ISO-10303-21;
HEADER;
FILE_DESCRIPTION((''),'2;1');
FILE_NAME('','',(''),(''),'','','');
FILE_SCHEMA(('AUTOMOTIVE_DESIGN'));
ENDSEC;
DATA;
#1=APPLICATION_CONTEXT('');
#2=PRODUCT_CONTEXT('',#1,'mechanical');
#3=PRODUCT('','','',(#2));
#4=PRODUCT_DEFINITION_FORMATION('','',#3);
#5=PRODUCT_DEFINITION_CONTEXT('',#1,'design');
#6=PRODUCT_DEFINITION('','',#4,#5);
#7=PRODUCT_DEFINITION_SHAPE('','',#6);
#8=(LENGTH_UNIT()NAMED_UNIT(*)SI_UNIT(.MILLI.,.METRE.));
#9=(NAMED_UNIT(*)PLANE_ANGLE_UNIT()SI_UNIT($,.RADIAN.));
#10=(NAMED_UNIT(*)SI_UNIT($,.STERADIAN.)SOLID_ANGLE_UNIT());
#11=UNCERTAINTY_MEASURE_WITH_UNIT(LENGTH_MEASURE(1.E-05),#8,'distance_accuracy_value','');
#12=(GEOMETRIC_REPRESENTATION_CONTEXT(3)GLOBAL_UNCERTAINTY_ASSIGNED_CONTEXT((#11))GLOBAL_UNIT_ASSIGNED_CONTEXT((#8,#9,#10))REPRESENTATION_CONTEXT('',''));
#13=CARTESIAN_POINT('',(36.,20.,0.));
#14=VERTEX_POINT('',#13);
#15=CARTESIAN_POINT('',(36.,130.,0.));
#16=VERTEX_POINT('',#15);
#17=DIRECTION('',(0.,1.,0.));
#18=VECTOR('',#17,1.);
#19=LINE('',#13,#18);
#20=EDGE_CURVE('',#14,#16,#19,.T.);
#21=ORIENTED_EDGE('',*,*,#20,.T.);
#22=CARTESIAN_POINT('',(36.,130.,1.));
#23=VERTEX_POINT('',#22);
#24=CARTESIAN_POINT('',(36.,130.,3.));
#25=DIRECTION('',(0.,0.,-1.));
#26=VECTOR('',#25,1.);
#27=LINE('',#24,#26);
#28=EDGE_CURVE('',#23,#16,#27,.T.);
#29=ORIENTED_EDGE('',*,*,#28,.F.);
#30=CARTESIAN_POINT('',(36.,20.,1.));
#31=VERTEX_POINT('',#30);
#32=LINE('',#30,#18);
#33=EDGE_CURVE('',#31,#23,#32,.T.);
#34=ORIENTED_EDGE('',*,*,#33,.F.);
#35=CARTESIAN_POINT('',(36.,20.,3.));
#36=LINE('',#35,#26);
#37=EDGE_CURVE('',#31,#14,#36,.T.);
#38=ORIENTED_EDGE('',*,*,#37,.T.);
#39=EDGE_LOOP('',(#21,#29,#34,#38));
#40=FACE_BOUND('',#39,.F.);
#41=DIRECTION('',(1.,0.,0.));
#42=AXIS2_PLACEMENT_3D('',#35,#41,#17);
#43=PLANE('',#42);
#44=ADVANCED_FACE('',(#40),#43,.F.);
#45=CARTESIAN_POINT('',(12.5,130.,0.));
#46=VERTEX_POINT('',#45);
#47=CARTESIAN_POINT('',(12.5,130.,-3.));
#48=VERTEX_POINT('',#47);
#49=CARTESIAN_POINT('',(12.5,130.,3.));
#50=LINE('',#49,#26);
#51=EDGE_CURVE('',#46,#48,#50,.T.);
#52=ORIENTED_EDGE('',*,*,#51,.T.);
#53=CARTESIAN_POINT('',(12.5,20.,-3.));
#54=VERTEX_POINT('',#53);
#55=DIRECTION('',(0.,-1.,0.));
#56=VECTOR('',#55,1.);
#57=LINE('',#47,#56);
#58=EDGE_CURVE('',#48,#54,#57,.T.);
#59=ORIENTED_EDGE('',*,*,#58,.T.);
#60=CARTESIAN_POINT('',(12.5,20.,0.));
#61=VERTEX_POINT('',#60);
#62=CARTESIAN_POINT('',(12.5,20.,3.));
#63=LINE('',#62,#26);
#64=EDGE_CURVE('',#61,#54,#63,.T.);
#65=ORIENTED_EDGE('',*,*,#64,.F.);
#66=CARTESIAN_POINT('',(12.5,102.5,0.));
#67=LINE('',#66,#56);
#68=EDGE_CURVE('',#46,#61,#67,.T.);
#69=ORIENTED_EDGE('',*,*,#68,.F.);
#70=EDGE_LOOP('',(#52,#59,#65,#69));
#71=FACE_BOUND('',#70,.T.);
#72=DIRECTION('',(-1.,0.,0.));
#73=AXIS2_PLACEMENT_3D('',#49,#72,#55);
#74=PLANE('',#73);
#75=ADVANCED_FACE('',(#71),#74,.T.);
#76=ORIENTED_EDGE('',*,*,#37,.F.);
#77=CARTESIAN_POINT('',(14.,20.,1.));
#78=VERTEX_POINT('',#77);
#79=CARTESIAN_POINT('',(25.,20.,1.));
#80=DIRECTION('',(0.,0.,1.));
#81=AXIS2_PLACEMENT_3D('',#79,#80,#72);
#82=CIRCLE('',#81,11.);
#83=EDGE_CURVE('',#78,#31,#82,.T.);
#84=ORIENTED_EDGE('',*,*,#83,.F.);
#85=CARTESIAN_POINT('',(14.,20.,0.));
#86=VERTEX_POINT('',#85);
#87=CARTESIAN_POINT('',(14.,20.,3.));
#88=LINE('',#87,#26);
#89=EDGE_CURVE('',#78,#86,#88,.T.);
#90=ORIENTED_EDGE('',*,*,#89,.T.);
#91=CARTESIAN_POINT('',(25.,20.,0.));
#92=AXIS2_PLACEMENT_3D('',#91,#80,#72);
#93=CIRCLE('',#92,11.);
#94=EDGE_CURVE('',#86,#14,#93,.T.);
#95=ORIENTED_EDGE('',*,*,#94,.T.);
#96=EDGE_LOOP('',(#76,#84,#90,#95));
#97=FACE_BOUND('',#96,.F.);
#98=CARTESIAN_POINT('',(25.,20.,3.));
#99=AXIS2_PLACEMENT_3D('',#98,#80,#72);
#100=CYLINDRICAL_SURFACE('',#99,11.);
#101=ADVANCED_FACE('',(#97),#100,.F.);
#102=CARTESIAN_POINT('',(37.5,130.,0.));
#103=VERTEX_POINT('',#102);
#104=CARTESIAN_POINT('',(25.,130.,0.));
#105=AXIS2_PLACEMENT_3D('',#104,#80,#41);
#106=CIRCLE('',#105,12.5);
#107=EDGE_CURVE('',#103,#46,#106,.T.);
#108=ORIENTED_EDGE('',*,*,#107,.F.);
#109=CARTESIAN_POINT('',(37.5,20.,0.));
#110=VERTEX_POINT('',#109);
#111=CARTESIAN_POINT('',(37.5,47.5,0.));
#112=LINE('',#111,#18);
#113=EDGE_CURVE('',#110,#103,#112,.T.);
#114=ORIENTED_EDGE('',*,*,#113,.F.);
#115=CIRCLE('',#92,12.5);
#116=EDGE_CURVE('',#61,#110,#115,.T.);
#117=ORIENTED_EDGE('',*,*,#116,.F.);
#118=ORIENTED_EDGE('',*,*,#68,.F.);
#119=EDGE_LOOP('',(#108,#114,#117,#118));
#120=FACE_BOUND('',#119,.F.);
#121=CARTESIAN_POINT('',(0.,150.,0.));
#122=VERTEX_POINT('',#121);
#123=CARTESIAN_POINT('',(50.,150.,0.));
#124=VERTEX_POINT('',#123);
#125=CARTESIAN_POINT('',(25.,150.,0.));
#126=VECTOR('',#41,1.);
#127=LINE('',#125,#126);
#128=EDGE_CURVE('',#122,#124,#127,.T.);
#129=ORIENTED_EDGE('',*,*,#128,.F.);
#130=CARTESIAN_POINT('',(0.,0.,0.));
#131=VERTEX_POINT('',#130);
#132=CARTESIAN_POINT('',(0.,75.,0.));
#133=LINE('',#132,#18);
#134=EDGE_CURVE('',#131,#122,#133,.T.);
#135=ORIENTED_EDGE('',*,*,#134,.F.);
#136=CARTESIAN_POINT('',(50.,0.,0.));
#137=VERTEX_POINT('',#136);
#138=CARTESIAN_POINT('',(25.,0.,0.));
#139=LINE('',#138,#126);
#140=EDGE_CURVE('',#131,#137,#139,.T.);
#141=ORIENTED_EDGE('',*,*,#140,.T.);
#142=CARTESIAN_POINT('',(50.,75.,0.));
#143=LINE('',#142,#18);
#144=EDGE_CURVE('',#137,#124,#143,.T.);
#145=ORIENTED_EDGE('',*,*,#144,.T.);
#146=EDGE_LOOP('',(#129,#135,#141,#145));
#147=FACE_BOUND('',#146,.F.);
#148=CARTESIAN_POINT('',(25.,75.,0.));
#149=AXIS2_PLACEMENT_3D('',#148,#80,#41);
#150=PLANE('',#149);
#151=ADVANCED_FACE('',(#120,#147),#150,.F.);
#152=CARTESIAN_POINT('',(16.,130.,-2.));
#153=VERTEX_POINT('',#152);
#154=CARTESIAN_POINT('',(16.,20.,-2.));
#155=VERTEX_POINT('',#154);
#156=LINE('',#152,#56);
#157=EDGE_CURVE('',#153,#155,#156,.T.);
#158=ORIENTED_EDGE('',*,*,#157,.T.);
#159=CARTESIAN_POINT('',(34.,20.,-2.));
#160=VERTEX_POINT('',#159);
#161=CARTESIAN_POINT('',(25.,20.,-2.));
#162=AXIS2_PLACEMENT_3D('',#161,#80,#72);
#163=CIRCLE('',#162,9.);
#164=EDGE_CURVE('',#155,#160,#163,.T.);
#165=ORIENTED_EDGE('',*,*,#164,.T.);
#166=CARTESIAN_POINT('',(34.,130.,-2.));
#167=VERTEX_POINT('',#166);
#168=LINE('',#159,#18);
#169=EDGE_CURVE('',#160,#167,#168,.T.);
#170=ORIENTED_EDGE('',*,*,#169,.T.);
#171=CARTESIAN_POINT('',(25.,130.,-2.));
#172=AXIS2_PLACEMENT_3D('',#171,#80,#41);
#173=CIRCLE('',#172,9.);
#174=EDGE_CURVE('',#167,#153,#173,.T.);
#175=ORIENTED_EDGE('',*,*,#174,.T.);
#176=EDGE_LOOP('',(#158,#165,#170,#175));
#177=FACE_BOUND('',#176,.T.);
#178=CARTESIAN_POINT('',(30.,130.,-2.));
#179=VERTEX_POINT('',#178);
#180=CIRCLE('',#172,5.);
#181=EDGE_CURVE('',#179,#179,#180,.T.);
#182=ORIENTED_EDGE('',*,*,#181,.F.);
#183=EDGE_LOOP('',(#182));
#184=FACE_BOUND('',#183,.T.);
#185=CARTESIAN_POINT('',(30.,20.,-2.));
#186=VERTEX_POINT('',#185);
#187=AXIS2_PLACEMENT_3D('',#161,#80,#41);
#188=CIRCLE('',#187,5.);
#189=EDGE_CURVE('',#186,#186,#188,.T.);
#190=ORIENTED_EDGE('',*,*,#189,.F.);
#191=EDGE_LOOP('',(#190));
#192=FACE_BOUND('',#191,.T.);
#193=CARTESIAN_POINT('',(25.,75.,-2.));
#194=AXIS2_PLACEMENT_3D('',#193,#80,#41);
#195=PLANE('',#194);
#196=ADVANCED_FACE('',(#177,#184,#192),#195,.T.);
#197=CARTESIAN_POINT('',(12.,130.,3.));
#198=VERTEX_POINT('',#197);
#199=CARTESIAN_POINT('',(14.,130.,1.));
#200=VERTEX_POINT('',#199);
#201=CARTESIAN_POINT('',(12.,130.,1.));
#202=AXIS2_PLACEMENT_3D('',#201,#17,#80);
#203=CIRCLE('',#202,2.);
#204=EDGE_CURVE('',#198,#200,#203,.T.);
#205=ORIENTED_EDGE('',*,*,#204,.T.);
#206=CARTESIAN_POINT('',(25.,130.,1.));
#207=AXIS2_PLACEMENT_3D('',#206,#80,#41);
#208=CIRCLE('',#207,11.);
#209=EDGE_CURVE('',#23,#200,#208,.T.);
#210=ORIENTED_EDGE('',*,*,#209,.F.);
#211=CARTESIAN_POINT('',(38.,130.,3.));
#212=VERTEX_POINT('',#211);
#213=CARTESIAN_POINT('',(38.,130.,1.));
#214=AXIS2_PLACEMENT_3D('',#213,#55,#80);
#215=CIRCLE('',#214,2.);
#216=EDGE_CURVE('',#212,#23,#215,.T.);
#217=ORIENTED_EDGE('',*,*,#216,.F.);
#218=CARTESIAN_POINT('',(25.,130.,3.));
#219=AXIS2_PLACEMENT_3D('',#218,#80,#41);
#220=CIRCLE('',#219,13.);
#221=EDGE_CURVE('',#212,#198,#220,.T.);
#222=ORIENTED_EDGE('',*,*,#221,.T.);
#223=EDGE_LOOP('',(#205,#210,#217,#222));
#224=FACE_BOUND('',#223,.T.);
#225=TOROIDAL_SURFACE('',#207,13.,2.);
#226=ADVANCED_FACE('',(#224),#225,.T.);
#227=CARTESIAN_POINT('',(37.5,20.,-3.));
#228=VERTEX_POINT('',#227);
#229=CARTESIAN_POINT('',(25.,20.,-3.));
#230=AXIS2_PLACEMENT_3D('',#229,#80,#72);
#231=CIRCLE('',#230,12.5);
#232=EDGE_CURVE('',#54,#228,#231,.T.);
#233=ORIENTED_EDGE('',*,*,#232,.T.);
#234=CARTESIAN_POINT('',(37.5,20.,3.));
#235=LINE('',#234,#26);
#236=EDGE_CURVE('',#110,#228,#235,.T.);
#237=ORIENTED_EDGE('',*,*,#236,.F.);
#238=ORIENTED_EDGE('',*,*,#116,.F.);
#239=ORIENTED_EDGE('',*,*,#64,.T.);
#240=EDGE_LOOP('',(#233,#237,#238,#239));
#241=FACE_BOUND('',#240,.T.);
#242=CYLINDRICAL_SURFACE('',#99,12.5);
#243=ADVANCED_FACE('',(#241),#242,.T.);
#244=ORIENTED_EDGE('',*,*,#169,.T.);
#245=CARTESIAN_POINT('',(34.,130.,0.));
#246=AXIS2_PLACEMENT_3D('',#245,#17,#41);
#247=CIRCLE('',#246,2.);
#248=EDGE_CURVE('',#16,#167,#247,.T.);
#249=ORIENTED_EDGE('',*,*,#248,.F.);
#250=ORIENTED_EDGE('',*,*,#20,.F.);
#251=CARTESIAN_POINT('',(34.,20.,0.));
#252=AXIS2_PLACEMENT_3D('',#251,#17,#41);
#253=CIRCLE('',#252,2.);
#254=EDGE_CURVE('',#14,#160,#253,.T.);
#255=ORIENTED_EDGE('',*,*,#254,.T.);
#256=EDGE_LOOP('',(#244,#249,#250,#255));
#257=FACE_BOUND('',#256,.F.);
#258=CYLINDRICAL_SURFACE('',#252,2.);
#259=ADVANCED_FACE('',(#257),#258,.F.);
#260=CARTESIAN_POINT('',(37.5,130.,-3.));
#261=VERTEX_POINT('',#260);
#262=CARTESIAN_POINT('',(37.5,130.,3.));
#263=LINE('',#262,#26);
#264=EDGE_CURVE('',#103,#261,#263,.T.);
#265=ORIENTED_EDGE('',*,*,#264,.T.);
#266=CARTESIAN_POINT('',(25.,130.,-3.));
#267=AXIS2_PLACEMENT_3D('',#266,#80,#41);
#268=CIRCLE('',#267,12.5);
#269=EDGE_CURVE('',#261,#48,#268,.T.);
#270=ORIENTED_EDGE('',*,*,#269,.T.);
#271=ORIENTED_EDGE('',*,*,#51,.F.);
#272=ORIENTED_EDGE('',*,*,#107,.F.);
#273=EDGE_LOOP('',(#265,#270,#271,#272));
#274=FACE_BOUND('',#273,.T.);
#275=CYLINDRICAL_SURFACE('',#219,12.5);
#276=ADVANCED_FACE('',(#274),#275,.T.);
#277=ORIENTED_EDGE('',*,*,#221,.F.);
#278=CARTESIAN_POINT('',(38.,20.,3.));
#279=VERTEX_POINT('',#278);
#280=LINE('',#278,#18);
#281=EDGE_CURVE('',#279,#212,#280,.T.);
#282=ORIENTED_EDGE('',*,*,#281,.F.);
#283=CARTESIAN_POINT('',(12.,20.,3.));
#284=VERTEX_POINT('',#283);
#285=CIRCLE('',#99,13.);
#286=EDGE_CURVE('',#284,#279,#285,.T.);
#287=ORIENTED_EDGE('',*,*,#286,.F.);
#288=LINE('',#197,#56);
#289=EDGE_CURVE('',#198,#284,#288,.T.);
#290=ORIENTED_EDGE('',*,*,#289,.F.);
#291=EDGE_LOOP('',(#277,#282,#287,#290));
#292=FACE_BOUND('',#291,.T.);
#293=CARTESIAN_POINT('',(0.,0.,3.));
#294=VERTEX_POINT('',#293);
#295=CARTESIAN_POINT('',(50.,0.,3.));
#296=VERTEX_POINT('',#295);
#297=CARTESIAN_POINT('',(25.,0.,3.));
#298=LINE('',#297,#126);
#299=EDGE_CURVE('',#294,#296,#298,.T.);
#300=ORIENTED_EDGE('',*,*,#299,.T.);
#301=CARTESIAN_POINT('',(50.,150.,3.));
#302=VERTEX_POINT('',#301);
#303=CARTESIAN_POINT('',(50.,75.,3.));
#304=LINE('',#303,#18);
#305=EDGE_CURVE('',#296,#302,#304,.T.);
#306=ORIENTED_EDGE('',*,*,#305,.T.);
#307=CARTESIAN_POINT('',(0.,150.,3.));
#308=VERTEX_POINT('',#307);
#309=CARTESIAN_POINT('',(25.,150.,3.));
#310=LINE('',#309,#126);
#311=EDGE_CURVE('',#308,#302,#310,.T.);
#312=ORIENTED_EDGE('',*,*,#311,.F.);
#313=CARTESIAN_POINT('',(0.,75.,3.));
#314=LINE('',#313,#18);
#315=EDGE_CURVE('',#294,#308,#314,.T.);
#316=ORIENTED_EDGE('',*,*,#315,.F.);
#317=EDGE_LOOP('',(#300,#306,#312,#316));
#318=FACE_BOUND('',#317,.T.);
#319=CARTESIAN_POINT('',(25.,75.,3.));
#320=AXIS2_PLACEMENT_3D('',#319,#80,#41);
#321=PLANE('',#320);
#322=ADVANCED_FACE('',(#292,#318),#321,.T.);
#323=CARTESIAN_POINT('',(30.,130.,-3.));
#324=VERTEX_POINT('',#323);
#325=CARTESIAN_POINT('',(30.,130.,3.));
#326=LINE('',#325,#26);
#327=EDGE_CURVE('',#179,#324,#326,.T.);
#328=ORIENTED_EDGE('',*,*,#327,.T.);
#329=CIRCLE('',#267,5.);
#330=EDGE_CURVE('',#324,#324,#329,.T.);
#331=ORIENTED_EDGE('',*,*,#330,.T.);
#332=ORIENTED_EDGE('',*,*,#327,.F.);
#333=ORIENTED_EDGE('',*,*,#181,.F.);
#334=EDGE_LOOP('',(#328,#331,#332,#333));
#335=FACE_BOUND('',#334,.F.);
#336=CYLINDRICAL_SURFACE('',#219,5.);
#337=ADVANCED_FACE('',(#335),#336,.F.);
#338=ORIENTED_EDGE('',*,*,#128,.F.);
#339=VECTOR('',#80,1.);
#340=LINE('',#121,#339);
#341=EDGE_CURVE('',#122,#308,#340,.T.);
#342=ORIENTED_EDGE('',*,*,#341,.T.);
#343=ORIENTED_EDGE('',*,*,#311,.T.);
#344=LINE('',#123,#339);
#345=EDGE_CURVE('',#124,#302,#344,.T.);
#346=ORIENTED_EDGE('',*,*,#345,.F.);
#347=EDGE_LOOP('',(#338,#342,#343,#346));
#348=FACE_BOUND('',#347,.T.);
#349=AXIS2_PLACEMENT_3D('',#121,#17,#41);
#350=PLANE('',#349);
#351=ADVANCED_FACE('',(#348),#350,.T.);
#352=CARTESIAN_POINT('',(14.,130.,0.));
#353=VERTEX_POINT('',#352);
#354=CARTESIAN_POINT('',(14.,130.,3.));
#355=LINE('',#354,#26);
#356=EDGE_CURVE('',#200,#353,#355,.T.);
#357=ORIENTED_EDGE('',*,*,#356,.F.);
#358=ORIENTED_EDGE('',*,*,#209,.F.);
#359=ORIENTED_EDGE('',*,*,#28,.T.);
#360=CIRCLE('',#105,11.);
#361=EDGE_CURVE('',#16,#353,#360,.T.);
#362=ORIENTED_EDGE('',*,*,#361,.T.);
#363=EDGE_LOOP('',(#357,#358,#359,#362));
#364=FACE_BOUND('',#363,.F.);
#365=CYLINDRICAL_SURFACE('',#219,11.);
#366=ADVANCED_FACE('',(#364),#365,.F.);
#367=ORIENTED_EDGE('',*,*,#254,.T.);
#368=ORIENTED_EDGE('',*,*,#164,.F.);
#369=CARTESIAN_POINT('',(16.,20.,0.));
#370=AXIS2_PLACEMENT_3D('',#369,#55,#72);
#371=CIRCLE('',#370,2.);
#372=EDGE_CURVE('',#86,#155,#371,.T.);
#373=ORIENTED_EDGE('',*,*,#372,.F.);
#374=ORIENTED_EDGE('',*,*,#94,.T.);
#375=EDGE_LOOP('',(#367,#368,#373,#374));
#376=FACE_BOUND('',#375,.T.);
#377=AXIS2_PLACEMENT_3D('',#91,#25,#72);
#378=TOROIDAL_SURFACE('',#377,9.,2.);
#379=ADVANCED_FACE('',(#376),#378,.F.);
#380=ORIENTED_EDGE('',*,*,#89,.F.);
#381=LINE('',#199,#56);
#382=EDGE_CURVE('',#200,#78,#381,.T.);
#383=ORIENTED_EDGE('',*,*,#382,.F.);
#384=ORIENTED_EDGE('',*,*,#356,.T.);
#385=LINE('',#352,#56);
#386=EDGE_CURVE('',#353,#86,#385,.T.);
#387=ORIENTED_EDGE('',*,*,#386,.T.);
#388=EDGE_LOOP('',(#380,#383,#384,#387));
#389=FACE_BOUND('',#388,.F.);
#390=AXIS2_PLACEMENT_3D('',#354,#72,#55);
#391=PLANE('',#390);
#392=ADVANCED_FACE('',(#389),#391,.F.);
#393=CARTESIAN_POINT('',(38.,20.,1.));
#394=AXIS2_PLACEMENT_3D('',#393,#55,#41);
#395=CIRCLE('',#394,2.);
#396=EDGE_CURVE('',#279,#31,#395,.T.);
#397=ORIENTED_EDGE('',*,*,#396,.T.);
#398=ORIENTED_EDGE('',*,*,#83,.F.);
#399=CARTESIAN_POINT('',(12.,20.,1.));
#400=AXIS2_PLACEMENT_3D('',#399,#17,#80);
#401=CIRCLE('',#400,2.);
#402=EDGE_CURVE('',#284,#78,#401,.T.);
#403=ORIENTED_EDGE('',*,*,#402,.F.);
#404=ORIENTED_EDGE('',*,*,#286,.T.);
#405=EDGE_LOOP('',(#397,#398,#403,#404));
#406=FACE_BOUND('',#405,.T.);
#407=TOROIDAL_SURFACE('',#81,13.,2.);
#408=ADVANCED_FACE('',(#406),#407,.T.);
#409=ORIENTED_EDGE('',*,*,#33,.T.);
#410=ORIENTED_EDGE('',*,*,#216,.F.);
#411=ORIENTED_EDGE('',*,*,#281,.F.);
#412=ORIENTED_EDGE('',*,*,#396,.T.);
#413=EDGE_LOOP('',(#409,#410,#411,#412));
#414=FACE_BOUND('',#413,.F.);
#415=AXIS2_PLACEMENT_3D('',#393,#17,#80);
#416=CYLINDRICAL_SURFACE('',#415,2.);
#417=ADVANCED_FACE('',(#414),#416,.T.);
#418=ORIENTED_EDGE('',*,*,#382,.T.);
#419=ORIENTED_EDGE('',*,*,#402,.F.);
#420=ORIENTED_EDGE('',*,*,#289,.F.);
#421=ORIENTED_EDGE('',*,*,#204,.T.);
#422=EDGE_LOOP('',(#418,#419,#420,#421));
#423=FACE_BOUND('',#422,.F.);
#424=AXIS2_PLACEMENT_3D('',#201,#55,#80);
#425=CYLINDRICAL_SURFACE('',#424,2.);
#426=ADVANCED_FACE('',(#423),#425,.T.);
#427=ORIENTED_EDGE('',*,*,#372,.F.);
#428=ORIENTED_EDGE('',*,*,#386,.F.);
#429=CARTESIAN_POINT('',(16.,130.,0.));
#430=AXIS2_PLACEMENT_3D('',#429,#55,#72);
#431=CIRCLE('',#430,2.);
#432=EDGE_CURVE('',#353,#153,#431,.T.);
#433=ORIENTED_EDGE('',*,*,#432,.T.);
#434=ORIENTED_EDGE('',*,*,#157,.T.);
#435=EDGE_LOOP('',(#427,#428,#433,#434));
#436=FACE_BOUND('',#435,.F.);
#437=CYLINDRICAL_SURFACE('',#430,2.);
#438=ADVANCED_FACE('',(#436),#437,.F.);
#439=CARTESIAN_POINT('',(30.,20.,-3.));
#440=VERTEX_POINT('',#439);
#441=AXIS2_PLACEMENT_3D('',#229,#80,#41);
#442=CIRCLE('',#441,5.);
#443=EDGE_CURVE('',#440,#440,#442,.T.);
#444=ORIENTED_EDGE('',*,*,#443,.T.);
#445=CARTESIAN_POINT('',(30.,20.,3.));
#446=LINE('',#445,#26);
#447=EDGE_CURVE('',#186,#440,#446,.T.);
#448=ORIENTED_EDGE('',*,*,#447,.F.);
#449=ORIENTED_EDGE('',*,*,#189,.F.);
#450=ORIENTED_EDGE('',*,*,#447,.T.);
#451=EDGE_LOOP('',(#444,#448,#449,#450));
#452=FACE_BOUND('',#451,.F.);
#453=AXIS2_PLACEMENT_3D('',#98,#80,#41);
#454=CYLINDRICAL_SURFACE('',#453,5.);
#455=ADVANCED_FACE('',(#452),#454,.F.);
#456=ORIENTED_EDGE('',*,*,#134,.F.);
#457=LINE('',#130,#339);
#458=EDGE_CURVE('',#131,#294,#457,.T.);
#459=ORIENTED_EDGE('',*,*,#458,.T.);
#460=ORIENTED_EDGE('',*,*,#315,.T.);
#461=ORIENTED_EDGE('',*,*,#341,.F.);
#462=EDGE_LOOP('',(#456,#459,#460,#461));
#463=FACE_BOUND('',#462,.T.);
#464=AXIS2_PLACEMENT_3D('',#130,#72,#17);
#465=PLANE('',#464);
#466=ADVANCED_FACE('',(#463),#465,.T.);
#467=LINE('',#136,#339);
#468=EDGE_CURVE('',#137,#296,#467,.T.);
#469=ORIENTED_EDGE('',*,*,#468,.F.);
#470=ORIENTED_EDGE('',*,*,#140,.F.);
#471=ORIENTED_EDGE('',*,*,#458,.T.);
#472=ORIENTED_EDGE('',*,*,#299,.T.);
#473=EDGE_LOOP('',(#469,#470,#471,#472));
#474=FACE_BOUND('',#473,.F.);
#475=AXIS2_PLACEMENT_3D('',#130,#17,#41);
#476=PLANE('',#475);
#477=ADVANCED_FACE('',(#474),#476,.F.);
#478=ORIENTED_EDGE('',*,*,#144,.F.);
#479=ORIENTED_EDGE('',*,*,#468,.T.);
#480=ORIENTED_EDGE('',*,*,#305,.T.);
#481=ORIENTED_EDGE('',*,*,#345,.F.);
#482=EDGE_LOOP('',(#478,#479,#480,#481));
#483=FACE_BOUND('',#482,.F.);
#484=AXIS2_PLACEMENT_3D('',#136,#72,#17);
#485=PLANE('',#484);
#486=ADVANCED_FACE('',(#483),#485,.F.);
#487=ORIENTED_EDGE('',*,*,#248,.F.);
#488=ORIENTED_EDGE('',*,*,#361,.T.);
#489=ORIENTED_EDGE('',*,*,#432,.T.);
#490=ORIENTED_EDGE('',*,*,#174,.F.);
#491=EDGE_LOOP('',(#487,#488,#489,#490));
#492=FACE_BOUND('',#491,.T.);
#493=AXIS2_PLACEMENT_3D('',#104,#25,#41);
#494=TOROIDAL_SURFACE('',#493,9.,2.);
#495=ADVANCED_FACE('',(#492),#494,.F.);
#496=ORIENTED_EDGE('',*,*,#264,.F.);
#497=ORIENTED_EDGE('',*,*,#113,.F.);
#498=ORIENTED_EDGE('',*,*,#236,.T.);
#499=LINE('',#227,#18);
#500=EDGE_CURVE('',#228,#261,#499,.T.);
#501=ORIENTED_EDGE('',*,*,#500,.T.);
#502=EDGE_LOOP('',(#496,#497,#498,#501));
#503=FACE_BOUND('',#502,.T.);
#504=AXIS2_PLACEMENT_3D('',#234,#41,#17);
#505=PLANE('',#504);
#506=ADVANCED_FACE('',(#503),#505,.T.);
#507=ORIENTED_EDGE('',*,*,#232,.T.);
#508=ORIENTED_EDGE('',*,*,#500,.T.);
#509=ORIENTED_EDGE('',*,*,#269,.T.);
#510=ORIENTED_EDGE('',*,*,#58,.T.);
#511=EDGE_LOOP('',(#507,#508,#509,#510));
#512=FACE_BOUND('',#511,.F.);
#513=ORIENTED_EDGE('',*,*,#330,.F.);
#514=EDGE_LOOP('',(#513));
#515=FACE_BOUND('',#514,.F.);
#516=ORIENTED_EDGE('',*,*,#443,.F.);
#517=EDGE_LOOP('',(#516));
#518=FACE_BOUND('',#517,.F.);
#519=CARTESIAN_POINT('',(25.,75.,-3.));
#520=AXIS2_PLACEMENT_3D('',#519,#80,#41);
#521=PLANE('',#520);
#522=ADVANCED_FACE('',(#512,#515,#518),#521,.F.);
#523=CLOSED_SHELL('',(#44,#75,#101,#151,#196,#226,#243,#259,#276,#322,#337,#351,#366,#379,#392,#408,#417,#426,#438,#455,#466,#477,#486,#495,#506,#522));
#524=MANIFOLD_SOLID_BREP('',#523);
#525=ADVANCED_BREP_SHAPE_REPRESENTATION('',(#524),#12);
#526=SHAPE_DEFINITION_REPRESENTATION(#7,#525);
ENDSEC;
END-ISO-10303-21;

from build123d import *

# Parameters (mm, degrees)
F0_W     = 50
F0_H     = 150
F1_DEPTH = 3
F4_DEPTH = 6
F2_R     = 5
F5_DEPTH = 6.001
F6_DEPTH = 5
F7_R     = 2


with BuildPart() as f1:
    # F0 (on Top) → F1 (new body)
    with BuildSketch(Plane.XY):
        with Locations((25, 75)):
            Rectangle(F0_W, F0_H)
    extrude(amount=F1_DEPTH)

    # F3 (on face) → F4 (join)
    with BuildSketch(Plane.XY.offset(3)):
        with BuildLine():
            Line((37.5, 20), (37.5, 130))
            ThreePointArc((37.5, 130), (25, 142.5), (12.5, 130))
            Line((12.5, 130), (12.5, 20))
            ThreePointArc((12.5, 20), (25, 7.5), (37.5, 20))
        make_face()
        with BuildLine():
            ThreePointArc((36, 20), (25, 9), (14, 20))
            Line((14, 20), (14, 130))
            ThreePointArc((14, 130), (25, 141), (36, 130))
            Line((36, 130), (36, 20))
        make_face(mode=Mode.SUBTRACT)
        with BuildLine():
            Line((14, 130), (14, 20))
            ThreePointArc((14, 20), (25, 9), (36, 20))
            Line((36, 20), (36, 130))
            ThreePointArc((36, 130), (25, 141), (14, 130))
        make_face()
    extrude(amount=-F4_DEPTH)

    # F2 (on face) → F5 (cut, through all)
    with BuildSketch(Plane.XY.offset(3)):
        with Locations((25, 20)):
            Circle(F2_R)
        with Locations((25, 130)):
            Circle(F2_R)
    extrude(amount=-F5_DEPTH, mode=Mode.SUBTRACT)

    # F3 (on face) → F6 (cut)
    with BuildSketch(Plane.XY.offset(3)):
        with BuildLine():
            Line((14, 130), (14, 20))
            ThreePointArc((14, 20), (25, 9), (36, 20))
            Line((36, 20), (36, 130))
            ThreePointArc((36, 130), (25, 141), (14, 130))
        make_face()
    extrude(amount=-F6_DEPTH, mode=Mode.SUBTRACT)

    # F7
    f7_edges = [f1.edges().sort_by_distance(p)[0] for p in [
        (14, 75, 3),
        (14, 75, -2),
    ]]
    fillet(f7_edges, radius=F7_R)


solid = f1.part
